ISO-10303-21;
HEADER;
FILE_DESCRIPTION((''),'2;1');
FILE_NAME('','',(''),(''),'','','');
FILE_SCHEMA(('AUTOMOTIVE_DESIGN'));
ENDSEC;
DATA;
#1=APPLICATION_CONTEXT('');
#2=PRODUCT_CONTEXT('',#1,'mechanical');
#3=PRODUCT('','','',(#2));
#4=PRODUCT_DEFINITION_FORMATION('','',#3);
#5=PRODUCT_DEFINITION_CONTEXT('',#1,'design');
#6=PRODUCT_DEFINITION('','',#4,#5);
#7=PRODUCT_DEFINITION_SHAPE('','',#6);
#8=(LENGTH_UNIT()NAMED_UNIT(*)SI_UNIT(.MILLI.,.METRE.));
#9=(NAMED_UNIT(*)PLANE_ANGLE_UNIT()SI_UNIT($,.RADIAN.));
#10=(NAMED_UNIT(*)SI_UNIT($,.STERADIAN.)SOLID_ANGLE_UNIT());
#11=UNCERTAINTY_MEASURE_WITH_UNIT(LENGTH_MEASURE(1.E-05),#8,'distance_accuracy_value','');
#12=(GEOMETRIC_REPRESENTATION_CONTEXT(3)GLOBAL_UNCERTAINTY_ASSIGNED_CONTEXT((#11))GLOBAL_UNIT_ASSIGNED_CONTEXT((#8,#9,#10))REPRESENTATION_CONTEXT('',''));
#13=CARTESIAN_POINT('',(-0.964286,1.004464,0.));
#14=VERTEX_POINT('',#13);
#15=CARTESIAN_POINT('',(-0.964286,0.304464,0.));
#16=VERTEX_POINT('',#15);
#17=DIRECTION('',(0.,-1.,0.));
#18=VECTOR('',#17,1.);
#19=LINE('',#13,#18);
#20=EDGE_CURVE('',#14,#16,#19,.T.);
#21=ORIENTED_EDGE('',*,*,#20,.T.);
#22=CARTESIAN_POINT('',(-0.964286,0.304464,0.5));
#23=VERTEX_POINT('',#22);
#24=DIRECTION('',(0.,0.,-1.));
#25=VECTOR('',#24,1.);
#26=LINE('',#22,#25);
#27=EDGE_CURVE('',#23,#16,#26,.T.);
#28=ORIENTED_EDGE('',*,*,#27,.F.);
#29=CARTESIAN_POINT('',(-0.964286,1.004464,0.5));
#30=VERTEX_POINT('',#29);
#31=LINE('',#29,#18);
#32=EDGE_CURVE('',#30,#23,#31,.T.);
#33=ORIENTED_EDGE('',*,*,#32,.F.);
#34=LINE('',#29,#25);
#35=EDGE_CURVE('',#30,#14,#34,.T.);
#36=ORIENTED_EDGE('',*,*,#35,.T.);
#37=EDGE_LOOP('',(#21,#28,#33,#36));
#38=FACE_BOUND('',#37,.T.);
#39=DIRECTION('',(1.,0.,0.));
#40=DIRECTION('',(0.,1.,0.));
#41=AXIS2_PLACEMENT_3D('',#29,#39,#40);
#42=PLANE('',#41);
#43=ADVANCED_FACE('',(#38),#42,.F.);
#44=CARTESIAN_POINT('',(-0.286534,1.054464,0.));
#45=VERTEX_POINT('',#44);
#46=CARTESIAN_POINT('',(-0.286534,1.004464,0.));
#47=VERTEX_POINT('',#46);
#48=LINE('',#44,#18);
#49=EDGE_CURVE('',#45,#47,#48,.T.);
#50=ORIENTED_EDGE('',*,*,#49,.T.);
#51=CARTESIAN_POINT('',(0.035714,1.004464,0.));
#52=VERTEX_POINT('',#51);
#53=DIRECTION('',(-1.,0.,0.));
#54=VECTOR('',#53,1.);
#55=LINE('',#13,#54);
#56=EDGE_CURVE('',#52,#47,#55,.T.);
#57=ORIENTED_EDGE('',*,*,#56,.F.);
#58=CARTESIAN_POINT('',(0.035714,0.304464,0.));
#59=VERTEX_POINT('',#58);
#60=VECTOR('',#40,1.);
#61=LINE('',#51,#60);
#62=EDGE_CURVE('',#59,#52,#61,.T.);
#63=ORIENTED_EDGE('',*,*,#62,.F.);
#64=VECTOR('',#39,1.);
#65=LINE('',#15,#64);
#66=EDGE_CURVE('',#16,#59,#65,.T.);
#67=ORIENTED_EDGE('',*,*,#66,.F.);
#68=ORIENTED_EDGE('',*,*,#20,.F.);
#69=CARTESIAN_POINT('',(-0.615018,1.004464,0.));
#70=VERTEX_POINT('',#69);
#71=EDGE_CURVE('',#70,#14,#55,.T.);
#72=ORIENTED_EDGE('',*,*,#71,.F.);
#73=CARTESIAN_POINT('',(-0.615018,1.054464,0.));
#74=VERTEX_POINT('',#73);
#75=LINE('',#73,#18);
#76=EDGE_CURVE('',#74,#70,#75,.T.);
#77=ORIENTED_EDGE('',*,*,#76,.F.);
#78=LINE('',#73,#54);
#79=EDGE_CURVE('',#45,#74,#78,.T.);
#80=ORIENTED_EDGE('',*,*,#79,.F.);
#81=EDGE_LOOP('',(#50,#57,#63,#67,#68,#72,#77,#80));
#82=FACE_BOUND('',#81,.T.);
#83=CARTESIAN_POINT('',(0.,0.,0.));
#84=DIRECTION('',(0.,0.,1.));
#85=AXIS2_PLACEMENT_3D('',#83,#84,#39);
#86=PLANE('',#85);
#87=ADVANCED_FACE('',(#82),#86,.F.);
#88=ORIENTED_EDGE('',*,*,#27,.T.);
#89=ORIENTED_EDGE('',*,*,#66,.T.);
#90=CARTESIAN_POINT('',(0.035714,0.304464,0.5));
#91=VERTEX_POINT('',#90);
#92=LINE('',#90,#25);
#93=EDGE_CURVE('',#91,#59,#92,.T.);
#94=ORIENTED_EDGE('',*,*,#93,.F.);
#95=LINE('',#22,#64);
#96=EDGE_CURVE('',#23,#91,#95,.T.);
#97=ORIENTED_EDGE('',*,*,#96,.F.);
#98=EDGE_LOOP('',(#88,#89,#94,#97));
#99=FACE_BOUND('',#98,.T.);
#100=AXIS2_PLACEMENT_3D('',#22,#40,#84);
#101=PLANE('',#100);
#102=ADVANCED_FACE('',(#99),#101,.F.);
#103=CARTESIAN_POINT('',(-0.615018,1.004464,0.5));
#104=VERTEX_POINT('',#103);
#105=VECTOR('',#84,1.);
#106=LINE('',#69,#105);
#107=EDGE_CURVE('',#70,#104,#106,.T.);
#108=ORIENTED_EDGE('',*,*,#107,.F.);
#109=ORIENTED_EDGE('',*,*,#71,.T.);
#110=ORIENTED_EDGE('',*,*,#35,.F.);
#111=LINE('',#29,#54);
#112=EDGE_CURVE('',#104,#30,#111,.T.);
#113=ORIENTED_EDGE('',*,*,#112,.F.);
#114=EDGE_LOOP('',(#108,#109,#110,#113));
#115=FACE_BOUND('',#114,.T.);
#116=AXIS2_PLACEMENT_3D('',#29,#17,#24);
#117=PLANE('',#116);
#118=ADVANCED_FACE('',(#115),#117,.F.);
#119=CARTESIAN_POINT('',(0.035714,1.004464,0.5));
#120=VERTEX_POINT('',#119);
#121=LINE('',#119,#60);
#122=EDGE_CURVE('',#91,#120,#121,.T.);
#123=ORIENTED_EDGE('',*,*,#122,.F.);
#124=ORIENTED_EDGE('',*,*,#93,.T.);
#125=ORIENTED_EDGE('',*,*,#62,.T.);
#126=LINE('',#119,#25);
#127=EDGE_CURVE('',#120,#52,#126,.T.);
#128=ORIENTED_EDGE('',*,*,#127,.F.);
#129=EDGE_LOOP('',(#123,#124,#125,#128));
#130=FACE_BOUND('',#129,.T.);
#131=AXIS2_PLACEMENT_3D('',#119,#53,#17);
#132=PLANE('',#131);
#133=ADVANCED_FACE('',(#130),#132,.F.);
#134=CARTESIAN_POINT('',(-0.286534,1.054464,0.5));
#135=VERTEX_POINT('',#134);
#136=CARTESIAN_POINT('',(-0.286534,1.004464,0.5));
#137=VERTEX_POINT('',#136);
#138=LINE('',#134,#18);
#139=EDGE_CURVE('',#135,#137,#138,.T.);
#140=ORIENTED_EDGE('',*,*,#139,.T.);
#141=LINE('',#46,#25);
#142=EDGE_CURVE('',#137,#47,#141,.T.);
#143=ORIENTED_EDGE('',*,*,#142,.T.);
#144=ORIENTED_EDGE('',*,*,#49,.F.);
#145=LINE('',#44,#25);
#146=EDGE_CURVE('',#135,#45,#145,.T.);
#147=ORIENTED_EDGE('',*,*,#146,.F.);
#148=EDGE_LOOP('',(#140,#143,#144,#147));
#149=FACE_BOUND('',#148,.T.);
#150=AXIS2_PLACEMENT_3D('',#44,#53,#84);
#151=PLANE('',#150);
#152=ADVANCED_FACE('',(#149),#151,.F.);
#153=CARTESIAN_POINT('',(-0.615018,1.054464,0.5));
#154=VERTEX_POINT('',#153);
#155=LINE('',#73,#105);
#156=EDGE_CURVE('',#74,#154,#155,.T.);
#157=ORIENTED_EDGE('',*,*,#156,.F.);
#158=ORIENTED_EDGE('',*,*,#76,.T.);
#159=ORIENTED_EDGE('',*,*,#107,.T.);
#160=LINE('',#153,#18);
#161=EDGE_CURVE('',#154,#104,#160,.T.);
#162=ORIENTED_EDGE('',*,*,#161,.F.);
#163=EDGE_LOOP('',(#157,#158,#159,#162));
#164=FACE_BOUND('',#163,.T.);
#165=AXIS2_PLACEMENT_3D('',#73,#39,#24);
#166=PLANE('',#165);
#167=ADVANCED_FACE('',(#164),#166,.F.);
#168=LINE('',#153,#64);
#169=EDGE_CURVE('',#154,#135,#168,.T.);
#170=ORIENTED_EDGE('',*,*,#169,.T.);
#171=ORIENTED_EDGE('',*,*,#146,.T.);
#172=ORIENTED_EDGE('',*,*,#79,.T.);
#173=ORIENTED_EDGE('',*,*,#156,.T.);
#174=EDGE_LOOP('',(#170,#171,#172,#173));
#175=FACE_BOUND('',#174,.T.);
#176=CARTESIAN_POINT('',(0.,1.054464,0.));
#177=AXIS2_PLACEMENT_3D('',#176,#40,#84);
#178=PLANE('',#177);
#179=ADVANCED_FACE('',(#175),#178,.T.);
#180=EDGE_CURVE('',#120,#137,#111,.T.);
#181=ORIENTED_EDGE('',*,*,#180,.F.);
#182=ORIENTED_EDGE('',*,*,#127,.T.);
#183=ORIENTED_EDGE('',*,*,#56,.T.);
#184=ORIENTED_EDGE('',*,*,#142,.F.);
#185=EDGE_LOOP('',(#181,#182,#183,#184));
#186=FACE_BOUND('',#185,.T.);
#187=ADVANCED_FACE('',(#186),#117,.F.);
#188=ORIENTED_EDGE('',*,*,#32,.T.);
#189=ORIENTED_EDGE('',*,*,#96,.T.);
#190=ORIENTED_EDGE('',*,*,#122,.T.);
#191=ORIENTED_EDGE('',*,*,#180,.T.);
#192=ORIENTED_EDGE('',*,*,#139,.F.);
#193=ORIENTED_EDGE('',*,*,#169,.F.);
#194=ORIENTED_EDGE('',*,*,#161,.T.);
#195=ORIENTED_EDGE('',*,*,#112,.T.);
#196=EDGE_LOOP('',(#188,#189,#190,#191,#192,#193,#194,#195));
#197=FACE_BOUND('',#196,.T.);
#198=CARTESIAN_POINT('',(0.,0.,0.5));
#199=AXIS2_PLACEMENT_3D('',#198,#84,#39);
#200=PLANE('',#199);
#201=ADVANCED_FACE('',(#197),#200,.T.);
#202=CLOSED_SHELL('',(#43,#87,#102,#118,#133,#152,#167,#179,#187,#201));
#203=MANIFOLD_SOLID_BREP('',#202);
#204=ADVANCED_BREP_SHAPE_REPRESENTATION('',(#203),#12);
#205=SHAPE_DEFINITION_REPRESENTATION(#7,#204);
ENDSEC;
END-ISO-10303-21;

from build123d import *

# Parameters (mm, degrees)
SKETCH_1_W      = 1
SKETCH_1_H      = 0.7
EXTRUDE_1_DEPTH = 0.5
SKETCH_4_W      = 0.328484595
SKETCH_4_H      = 0.5
EXTRUDE_2_DEPTH = 0.05


with BuildPart() as part:
    # 草图1 → 凸台-拉伸1 (new body)
    with BuildSketch(Plane.XY):
        with Locations((-0.464285714, 0.654464286)):
            Rectangle(SKETCH_1_W, SKETCH_1_H)
    extrude(amount=EXTRUDE_1_DEPTH)

    # 草图4 → 凸台-拉伸2 (add)
    with BuildSketch(Plane(origin=(0, 1.004464286, 0), x_dir=(1, 0, 0), z_dir=(0, 1, 0))):
        with Locations((-0.450775928, -0.25)):
            Rectangle(SKETCH_4_W, SKETCH_4_H)
    extrude(amount=EXTRUDE_2_DEPTH)


solid = part.part
